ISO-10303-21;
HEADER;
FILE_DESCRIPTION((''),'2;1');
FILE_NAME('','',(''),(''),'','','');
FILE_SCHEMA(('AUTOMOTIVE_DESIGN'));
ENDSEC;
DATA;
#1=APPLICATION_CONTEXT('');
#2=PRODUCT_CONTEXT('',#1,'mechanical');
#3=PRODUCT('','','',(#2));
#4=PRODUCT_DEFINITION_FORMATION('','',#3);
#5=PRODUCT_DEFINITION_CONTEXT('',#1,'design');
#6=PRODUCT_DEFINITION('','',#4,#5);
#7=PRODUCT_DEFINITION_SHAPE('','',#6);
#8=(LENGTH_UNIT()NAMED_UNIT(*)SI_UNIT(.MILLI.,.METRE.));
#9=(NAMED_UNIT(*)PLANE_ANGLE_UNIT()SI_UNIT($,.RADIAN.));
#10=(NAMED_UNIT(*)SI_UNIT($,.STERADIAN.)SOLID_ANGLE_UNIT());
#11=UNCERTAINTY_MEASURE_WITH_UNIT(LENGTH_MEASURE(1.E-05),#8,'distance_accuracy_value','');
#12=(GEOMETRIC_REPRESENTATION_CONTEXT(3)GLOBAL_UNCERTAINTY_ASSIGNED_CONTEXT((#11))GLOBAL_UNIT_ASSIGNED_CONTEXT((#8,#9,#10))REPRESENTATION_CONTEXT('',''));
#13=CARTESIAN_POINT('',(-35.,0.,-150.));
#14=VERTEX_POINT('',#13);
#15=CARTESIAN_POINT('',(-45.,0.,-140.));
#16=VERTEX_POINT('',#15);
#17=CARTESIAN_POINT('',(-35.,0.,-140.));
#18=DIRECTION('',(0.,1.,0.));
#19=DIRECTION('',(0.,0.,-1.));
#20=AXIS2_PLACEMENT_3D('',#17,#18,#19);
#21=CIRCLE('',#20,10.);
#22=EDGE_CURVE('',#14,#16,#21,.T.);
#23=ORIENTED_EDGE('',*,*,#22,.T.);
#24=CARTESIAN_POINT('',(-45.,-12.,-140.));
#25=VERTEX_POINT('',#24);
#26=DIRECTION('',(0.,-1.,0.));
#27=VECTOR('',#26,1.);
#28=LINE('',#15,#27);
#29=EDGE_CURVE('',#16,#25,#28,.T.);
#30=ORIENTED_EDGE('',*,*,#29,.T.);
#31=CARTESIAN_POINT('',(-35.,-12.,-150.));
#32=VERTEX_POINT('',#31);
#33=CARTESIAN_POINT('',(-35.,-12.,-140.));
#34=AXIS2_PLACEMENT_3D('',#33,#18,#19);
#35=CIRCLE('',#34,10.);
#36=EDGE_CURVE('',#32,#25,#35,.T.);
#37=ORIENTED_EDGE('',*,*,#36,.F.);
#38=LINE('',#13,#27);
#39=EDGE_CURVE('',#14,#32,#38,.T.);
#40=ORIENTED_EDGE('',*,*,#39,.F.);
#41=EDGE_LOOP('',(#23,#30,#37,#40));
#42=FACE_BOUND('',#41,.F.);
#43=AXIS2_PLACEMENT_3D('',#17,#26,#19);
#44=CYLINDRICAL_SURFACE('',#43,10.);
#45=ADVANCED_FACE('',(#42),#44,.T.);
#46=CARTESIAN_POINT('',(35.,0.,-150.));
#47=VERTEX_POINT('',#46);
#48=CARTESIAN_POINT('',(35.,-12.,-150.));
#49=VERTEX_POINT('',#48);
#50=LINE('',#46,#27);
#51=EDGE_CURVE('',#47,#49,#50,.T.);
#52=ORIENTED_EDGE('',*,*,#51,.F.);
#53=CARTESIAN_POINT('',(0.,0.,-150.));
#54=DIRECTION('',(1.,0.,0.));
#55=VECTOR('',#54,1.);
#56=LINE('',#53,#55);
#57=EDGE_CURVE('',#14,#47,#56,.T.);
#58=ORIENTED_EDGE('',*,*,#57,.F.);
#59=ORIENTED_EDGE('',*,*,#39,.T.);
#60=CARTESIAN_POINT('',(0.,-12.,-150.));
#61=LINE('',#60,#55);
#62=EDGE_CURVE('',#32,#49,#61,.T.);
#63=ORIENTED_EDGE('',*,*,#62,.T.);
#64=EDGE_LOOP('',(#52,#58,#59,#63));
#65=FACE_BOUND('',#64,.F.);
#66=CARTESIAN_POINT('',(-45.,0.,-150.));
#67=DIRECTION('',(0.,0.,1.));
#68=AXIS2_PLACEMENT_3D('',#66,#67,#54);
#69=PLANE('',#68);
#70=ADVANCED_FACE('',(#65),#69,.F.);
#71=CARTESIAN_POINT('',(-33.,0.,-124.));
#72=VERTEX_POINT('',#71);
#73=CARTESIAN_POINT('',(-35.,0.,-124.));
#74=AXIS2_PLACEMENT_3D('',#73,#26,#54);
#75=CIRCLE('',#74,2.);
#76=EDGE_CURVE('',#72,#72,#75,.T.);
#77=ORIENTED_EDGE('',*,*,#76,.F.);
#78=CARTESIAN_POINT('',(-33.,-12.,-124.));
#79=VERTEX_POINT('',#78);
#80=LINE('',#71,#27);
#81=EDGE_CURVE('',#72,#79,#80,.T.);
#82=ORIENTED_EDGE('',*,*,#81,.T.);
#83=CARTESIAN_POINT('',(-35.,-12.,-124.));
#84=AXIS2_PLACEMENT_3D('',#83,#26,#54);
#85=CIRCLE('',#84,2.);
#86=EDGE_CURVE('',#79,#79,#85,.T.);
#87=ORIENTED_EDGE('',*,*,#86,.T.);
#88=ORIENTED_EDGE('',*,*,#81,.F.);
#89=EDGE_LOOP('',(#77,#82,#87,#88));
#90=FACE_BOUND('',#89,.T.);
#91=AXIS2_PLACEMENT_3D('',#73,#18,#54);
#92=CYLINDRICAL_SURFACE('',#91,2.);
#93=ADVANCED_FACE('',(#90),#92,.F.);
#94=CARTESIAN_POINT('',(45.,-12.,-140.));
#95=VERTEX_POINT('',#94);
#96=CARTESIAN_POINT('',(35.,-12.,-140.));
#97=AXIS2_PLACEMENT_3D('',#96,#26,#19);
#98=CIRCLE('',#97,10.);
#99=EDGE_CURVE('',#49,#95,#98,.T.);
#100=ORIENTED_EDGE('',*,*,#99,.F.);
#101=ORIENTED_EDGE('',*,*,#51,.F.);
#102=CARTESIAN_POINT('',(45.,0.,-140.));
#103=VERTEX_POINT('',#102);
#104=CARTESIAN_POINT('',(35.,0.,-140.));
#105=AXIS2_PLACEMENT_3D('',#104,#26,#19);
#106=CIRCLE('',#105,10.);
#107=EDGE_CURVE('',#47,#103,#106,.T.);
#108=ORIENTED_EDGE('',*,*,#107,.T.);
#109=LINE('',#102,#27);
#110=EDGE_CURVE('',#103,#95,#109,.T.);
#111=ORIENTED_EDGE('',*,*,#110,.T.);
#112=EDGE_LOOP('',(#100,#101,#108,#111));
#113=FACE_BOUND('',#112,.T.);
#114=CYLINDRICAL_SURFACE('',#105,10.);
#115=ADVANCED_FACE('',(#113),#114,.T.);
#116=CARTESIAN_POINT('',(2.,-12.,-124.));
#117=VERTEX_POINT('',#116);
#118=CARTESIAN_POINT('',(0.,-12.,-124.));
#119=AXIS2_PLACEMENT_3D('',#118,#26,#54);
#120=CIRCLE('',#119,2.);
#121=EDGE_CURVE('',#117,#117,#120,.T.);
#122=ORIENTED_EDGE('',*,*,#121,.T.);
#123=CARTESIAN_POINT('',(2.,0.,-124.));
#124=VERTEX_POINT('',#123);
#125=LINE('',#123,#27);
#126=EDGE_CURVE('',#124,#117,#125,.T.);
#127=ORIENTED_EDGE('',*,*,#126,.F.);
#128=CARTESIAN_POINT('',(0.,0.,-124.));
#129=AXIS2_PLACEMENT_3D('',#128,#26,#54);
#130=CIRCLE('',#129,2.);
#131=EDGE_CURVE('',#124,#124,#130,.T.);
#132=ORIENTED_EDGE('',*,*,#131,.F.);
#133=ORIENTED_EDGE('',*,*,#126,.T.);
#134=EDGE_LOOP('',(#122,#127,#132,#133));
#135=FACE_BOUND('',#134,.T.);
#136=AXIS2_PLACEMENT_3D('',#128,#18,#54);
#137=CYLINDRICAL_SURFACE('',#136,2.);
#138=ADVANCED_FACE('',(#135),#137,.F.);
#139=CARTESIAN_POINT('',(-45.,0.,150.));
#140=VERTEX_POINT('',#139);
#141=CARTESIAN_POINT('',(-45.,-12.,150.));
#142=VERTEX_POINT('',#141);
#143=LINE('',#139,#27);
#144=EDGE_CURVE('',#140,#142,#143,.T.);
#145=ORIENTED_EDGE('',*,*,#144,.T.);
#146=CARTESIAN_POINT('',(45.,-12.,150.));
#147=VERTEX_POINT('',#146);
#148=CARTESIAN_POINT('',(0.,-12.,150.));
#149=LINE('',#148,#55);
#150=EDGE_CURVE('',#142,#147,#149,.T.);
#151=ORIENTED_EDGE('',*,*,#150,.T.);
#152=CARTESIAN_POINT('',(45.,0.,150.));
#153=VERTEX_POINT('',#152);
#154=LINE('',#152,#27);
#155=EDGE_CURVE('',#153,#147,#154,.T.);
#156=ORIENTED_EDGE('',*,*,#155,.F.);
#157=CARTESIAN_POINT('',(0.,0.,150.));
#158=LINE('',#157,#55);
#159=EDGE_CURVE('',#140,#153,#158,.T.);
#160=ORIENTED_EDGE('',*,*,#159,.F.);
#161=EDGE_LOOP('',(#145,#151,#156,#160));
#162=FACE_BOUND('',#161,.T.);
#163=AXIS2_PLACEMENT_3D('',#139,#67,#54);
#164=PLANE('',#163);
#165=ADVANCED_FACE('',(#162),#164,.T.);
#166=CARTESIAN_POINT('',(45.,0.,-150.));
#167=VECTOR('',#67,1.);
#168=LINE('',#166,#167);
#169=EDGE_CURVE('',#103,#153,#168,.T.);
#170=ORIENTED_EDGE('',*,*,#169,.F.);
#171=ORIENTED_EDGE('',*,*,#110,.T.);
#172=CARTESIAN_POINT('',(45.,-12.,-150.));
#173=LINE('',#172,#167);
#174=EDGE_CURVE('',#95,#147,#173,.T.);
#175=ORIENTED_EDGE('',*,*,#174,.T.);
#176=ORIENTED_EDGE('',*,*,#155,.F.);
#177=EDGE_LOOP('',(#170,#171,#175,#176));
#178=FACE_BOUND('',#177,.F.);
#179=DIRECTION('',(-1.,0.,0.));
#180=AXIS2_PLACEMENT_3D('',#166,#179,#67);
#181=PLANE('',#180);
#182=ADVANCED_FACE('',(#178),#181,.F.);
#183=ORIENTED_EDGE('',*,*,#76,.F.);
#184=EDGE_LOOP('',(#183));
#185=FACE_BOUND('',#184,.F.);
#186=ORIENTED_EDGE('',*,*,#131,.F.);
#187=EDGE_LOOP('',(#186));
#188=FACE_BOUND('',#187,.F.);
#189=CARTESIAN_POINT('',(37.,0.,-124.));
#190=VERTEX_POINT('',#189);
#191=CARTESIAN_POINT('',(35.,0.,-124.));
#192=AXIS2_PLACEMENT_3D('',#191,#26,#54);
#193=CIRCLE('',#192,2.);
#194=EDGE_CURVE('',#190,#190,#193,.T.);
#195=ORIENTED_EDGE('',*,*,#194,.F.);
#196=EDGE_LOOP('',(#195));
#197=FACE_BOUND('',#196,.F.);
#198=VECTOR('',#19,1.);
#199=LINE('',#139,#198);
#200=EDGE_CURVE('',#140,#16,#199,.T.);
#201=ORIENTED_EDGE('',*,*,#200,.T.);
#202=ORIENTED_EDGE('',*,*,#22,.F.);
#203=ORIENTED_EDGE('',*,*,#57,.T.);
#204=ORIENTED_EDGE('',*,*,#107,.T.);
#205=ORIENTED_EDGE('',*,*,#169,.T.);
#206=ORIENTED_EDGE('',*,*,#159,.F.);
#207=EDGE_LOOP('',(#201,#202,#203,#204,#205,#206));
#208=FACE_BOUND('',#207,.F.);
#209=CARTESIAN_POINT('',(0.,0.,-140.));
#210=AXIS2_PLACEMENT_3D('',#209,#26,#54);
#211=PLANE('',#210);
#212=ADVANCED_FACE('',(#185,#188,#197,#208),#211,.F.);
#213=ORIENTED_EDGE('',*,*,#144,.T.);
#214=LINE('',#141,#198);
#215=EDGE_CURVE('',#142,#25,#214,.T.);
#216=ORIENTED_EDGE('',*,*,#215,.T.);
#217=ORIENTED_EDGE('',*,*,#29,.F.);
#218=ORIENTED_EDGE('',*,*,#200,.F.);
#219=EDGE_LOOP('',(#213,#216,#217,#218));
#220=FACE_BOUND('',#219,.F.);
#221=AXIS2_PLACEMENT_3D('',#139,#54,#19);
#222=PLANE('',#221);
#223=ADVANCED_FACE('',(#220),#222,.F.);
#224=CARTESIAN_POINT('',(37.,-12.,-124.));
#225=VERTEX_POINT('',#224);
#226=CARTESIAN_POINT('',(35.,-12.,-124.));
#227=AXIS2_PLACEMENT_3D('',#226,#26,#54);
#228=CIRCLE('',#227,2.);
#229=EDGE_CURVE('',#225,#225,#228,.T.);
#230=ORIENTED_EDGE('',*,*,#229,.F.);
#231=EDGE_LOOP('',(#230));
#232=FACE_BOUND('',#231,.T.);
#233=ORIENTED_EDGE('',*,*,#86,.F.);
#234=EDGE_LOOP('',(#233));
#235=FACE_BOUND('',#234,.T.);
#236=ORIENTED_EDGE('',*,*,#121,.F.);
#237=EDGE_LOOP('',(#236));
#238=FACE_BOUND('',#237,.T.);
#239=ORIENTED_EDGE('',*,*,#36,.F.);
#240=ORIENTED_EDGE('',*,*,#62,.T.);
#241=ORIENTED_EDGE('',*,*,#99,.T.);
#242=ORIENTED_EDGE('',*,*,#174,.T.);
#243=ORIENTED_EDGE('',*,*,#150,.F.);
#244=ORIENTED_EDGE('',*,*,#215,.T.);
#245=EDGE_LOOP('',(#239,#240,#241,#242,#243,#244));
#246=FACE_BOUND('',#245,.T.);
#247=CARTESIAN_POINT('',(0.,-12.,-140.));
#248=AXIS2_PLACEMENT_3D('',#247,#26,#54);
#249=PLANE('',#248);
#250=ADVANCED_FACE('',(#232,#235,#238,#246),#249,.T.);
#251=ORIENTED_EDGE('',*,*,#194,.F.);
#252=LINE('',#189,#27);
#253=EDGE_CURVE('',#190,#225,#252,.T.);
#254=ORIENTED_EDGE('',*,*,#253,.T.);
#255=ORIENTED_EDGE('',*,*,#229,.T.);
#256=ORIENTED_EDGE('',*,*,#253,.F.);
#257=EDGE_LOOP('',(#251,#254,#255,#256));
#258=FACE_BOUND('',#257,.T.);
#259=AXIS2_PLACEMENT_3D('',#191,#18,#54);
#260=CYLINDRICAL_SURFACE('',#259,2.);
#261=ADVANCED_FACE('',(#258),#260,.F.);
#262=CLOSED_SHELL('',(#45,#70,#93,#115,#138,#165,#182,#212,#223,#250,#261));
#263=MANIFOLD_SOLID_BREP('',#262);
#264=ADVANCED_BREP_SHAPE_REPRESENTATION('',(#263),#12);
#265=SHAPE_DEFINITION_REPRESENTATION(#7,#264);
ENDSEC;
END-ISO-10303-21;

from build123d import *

# Parameters (mm, degrees)
F0_W     = 90
F0_H     = 20
F0_H_2   = 12
F0_R     = 2
F0_H_3   = 268
F1_DEPTH = 12
F2_R     = 10


with BuildPart() as f1:
    # F0 (on Front) → F1 (new body)
    with BuildSketch(Plane.XZ):
        with Locations((0, -140)):
            Rectangle(F0_W, F0_H)
        with Locations((0, -124)):
            Rectangle(F0_W, F0_H_2)
        with Locations((-35, -124)):
            Circle(F0_R, mode=Mode.SUBTRACT)
        with Locations((0, -124)):
            Circle(F0_R, mode=Mode.SUBTRACT)
        with Locations((35, -124)):
            Circle(F0_R, mode=Mode.SUBTRACT)
        with Locations((0, 16)):
            Rectangle(F0_W, F0_H_3)
    extrude(amount=F1_DEPTH)

    # F2
    f2_edges = [f1.edges().sort_by_distance(p)[0] for p in [
        (45, -6, -150),
        (-45, -6, -150),
    ]]
    fillet(f2_edges, radius=F2_R)


solid = f1.part
